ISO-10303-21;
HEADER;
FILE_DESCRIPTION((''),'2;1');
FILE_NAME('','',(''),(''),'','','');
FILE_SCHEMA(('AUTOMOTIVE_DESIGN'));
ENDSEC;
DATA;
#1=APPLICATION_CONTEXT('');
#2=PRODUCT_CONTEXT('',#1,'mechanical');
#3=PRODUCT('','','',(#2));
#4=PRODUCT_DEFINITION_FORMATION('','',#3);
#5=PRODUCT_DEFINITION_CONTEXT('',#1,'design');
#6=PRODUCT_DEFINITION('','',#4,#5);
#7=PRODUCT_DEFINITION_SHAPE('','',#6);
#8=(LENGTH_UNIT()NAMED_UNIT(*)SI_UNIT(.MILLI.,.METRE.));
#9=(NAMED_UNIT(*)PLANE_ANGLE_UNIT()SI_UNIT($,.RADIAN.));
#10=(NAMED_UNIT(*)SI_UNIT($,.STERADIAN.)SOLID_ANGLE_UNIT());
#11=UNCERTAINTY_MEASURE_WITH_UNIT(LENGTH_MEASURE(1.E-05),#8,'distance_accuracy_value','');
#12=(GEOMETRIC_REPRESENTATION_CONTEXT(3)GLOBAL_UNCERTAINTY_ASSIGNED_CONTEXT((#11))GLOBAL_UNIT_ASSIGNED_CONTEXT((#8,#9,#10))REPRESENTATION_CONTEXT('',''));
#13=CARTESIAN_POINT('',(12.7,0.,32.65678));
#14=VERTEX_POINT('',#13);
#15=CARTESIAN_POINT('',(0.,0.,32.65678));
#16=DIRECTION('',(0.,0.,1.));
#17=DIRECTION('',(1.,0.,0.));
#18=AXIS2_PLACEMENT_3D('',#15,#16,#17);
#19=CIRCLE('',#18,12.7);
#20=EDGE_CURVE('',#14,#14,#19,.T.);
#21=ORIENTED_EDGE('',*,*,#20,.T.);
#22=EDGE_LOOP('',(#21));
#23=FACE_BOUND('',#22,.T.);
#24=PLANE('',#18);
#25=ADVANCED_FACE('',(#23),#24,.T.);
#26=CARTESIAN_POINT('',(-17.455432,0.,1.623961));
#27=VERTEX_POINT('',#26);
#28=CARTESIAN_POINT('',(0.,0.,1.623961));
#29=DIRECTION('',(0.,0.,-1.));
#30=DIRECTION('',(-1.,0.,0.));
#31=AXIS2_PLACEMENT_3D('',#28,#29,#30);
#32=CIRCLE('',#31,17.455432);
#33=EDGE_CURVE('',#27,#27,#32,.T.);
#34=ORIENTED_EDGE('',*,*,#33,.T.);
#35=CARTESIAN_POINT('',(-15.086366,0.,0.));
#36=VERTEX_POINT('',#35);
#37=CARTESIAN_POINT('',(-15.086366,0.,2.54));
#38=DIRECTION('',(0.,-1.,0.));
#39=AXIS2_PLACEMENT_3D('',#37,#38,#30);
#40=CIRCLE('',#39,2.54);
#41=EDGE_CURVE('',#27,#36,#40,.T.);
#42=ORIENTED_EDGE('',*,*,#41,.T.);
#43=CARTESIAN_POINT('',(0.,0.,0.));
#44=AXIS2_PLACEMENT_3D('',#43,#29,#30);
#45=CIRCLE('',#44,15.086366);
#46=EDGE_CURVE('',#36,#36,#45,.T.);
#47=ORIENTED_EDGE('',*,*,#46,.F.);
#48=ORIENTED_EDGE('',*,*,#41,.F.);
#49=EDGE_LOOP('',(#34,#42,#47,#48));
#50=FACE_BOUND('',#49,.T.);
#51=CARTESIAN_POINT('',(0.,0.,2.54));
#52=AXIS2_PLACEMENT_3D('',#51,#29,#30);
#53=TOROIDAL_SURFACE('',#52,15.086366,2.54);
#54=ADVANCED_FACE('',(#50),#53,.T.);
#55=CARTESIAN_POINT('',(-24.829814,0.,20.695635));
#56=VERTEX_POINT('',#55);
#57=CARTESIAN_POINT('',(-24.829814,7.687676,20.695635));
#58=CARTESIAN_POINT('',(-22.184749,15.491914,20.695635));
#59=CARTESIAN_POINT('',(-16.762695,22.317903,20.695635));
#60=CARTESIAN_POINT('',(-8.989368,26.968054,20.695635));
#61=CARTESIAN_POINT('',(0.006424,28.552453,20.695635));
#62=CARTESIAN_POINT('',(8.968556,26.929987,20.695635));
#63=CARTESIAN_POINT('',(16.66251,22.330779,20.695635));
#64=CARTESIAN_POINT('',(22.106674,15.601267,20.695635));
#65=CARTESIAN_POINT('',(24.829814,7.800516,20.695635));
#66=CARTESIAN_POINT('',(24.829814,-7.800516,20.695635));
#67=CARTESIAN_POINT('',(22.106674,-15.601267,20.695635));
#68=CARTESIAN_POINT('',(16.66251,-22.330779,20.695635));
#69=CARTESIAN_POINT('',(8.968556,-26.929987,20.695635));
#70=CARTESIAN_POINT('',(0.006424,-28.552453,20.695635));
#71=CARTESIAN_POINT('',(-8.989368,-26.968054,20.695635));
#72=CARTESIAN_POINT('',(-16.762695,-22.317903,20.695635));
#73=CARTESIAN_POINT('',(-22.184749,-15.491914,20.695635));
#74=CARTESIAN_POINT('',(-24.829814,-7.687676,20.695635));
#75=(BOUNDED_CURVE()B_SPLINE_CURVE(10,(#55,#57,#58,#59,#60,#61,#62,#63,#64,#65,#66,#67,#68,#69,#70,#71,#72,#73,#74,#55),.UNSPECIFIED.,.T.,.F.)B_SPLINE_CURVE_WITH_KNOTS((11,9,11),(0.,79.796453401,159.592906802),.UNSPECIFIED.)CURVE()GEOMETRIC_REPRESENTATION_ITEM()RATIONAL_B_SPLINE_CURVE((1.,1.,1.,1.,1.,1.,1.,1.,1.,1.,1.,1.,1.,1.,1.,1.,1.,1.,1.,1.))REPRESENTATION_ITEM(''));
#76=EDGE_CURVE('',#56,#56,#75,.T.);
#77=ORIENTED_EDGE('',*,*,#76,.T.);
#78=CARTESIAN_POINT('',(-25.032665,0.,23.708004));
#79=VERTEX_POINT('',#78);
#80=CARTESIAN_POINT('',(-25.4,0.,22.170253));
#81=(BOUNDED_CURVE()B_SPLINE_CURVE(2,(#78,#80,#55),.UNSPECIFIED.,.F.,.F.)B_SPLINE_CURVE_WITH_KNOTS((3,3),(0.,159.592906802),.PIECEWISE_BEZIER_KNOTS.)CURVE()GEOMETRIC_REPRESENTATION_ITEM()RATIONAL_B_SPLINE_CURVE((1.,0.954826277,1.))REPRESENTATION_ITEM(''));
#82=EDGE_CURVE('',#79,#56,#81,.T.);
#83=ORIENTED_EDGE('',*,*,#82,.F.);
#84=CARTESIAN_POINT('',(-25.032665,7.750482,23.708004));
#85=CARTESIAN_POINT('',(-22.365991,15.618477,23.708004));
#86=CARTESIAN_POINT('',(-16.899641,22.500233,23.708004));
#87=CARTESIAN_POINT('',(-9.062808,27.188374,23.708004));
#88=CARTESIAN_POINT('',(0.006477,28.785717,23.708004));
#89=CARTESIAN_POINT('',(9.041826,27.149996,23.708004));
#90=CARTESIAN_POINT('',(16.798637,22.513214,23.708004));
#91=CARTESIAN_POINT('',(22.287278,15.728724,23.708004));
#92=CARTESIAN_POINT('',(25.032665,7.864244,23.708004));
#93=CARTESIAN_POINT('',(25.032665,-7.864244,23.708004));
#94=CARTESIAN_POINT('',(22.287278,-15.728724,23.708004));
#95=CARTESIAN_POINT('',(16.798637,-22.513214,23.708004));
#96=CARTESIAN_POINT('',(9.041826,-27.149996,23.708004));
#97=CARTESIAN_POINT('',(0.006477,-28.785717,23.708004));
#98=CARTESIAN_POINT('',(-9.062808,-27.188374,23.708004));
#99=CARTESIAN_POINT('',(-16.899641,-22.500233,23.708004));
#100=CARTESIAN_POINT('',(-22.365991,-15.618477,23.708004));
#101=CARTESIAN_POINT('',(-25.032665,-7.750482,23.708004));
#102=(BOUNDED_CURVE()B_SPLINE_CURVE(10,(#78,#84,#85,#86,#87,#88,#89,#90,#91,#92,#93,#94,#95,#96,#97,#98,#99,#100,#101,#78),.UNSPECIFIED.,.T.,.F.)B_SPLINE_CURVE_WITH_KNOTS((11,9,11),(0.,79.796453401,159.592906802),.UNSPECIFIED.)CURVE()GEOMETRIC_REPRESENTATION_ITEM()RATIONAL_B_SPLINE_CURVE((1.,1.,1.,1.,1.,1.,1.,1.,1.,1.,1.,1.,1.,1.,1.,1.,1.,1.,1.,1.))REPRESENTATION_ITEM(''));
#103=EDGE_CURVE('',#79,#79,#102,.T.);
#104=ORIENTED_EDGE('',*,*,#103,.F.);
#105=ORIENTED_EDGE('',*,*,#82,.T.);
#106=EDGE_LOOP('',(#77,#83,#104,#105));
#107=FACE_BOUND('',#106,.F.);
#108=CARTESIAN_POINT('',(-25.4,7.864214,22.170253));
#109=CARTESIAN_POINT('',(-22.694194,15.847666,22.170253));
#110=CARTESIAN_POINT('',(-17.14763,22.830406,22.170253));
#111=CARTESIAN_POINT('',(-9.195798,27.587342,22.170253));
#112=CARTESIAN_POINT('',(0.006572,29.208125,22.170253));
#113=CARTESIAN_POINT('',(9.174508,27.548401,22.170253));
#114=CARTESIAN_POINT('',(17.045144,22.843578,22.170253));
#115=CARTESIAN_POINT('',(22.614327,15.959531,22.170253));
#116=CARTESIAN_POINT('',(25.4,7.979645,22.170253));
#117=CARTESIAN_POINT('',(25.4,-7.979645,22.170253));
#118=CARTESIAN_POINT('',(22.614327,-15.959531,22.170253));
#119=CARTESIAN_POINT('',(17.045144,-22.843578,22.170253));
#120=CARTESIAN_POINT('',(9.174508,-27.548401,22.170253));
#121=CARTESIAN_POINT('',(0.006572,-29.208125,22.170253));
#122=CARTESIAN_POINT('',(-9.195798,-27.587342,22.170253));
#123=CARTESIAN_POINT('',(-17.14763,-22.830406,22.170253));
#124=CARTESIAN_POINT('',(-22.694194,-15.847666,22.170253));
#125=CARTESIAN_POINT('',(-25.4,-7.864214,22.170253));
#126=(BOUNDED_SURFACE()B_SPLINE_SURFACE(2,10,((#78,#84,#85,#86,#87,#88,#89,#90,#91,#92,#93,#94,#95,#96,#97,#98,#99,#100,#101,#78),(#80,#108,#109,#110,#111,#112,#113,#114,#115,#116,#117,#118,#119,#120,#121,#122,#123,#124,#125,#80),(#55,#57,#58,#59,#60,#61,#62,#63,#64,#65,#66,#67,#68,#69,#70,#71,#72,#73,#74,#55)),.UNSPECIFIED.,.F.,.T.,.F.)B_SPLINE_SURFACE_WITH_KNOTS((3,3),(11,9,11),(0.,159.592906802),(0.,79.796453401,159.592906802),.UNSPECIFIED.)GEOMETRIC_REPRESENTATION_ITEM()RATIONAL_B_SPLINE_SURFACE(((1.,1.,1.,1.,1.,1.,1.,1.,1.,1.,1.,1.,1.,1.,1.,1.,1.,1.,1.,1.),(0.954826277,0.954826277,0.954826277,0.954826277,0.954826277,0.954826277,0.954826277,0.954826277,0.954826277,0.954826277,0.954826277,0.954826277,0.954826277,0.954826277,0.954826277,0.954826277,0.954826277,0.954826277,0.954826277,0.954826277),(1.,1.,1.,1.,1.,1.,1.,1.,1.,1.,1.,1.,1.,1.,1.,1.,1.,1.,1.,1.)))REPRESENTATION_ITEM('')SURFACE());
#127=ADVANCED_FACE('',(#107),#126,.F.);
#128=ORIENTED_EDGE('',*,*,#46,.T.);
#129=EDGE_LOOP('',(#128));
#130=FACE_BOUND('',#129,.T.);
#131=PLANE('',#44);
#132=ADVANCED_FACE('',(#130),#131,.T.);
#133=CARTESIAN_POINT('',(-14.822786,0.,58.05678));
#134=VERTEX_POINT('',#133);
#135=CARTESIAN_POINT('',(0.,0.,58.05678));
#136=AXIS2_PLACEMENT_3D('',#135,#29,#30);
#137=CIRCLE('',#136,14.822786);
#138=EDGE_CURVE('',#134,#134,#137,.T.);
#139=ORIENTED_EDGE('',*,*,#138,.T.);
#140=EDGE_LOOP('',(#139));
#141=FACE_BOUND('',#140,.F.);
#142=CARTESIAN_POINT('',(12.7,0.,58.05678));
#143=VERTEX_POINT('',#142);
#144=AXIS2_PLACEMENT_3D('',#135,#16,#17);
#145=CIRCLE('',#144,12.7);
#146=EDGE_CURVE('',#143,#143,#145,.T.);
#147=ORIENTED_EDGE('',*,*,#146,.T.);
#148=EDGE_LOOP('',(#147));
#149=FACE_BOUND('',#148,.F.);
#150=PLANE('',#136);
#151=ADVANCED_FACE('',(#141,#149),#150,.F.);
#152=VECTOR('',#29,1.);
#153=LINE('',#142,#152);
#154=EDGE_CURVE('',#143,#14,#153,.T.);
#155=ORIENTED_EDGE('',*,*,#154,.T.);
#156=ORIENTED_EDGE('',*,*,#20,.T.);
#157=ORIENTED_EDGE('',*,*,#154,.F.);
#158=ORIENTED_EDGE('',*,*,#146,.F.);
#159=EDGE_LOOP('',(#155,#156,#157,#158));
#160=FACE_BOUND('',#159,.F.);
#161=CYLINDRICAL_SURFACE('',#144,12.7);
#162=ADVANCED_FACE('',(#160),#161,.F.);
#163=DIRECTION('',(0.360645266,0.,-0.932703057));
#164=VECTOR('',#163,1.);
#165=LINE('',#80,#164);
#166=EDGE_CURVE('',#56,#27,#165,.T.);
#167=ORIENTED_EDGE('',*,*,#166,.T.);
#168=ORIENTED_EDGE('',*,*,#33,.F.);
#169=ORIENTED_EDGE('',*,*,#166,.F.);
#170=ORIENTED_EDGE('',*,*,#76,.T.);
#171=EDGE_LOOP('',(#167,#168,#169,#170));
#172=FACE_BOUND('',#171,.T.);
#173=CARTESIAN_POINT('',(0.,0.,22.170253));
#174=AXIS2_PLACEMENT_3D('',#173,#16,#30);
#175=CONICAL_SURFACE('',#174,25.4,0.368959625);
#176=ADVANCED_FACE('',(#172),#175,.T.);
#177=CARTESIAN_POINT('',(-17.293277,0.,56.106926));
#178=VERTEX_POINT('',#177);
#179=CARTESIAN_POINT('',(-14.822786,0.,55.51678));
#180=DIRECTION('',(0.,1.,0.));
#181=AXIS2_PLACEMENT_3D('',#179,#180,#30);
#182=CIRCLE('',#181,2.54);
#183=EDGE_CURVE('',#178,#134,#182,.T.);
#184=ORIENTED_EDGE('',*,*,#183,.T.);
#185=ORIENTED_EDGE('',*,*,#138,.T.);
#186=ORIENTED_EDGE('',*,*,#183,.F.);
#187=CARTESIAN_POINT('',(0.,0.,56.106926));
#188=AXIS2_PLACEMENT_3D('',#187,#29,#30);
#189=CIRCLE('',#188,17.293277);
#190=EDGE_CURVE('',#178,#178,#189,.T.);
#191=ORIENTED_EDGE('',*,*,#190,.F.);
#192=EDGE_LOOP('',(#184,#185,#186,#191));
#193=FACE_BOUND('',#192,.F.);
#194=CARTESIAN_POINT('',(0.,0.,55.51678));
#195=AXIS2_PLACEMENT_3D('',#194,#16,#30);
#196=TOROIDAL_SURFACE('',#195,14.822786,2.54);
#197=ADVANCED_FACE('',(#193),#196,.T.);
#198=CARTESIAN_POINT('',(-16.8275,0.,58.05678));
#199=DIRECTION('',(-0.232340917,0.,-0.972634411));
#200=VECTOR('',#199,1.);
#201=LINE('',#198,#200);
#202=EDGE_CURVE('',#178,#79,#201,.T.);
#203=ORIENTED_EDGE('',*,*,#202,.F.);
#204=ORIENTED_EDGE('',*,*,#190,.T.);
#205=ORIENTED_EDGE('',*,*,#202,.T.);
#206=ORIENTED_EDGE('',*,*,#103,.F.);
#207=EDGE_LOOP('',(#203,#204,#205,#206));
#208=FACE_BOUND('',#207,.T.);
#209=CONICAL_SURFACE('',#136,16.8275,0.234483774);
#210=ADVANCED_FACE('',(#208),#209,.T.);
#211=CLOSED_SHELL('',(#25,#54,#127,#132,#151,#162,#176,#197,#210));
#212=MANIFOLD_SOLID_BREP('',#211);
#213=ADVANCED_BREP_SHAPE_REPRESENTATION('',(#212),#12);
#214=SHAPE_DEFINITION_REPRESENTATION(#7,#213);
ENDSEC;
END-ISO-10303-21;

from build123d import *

# Parameters (mm, degrees)
F0_W     = 16.8275
F0_H     = 22.170253424
F0_H_2   = 35.886526576
F2_R     = 5.08
F3_R     = 2.54
F4_R     = 2.54
F5_R     = 12.7
F6_DEPTH = 25.4


with BuildPart() as f1:
    # F0 (on Front) → F1 (revolve)
    with BuildSketch(Plane.XZ):
        with Locations((-8.41375, 11.085126712)):
            Rectangle(F0_W, F0_H)
        with Locations((-8.41375, 40.113516712)):
            Rectangle(F0_W, F0_H_2)
        Polygon((-25.4, 22.170253424), (-16.8275, 0), (-16.8275, 22.170253424), align=None)
        Polygon((-25.4, 22.170253424), (-16.8275, 22.170253424), (-16.8275, 58.05678), align=None)
    revolve(axis=Axis((0, 0, 40.113516712), (0, 0, -1)))

    # F2
    f2_edges = [f1.edges().sort_by_distance(p)[0] for p in [
        (25.4, 0, 22.170253),
    ]]
    fillet(f2_edges, radius=F2_R)

    # F3
    f3_edges = [f1.edges().sort_by_distance(p)[0] for p in [
        (-20.828657, 0, 10.347817),
        (24.829814, 0, 20.695635),
        (16.8275, 0, 0),
    ]]
    fillet(f3_edges, radius=F3_R)

    # F4
    f4_edges = [f1.edges().sort_by_distance(p)[0] for p in [
        (16.8275, 0, 58.05678),
    ]]
    fillet(f4_edges, radius=F4_R)

    # F5 (on face) → F6 (cut)
    with BuildSketch(Plane.XY.offset(58.05678)):
        Circle(F5_R)
    extrude(amount=-F6_DEPTH, mode=Mode.SUBTRACT)


solid = f1.part
